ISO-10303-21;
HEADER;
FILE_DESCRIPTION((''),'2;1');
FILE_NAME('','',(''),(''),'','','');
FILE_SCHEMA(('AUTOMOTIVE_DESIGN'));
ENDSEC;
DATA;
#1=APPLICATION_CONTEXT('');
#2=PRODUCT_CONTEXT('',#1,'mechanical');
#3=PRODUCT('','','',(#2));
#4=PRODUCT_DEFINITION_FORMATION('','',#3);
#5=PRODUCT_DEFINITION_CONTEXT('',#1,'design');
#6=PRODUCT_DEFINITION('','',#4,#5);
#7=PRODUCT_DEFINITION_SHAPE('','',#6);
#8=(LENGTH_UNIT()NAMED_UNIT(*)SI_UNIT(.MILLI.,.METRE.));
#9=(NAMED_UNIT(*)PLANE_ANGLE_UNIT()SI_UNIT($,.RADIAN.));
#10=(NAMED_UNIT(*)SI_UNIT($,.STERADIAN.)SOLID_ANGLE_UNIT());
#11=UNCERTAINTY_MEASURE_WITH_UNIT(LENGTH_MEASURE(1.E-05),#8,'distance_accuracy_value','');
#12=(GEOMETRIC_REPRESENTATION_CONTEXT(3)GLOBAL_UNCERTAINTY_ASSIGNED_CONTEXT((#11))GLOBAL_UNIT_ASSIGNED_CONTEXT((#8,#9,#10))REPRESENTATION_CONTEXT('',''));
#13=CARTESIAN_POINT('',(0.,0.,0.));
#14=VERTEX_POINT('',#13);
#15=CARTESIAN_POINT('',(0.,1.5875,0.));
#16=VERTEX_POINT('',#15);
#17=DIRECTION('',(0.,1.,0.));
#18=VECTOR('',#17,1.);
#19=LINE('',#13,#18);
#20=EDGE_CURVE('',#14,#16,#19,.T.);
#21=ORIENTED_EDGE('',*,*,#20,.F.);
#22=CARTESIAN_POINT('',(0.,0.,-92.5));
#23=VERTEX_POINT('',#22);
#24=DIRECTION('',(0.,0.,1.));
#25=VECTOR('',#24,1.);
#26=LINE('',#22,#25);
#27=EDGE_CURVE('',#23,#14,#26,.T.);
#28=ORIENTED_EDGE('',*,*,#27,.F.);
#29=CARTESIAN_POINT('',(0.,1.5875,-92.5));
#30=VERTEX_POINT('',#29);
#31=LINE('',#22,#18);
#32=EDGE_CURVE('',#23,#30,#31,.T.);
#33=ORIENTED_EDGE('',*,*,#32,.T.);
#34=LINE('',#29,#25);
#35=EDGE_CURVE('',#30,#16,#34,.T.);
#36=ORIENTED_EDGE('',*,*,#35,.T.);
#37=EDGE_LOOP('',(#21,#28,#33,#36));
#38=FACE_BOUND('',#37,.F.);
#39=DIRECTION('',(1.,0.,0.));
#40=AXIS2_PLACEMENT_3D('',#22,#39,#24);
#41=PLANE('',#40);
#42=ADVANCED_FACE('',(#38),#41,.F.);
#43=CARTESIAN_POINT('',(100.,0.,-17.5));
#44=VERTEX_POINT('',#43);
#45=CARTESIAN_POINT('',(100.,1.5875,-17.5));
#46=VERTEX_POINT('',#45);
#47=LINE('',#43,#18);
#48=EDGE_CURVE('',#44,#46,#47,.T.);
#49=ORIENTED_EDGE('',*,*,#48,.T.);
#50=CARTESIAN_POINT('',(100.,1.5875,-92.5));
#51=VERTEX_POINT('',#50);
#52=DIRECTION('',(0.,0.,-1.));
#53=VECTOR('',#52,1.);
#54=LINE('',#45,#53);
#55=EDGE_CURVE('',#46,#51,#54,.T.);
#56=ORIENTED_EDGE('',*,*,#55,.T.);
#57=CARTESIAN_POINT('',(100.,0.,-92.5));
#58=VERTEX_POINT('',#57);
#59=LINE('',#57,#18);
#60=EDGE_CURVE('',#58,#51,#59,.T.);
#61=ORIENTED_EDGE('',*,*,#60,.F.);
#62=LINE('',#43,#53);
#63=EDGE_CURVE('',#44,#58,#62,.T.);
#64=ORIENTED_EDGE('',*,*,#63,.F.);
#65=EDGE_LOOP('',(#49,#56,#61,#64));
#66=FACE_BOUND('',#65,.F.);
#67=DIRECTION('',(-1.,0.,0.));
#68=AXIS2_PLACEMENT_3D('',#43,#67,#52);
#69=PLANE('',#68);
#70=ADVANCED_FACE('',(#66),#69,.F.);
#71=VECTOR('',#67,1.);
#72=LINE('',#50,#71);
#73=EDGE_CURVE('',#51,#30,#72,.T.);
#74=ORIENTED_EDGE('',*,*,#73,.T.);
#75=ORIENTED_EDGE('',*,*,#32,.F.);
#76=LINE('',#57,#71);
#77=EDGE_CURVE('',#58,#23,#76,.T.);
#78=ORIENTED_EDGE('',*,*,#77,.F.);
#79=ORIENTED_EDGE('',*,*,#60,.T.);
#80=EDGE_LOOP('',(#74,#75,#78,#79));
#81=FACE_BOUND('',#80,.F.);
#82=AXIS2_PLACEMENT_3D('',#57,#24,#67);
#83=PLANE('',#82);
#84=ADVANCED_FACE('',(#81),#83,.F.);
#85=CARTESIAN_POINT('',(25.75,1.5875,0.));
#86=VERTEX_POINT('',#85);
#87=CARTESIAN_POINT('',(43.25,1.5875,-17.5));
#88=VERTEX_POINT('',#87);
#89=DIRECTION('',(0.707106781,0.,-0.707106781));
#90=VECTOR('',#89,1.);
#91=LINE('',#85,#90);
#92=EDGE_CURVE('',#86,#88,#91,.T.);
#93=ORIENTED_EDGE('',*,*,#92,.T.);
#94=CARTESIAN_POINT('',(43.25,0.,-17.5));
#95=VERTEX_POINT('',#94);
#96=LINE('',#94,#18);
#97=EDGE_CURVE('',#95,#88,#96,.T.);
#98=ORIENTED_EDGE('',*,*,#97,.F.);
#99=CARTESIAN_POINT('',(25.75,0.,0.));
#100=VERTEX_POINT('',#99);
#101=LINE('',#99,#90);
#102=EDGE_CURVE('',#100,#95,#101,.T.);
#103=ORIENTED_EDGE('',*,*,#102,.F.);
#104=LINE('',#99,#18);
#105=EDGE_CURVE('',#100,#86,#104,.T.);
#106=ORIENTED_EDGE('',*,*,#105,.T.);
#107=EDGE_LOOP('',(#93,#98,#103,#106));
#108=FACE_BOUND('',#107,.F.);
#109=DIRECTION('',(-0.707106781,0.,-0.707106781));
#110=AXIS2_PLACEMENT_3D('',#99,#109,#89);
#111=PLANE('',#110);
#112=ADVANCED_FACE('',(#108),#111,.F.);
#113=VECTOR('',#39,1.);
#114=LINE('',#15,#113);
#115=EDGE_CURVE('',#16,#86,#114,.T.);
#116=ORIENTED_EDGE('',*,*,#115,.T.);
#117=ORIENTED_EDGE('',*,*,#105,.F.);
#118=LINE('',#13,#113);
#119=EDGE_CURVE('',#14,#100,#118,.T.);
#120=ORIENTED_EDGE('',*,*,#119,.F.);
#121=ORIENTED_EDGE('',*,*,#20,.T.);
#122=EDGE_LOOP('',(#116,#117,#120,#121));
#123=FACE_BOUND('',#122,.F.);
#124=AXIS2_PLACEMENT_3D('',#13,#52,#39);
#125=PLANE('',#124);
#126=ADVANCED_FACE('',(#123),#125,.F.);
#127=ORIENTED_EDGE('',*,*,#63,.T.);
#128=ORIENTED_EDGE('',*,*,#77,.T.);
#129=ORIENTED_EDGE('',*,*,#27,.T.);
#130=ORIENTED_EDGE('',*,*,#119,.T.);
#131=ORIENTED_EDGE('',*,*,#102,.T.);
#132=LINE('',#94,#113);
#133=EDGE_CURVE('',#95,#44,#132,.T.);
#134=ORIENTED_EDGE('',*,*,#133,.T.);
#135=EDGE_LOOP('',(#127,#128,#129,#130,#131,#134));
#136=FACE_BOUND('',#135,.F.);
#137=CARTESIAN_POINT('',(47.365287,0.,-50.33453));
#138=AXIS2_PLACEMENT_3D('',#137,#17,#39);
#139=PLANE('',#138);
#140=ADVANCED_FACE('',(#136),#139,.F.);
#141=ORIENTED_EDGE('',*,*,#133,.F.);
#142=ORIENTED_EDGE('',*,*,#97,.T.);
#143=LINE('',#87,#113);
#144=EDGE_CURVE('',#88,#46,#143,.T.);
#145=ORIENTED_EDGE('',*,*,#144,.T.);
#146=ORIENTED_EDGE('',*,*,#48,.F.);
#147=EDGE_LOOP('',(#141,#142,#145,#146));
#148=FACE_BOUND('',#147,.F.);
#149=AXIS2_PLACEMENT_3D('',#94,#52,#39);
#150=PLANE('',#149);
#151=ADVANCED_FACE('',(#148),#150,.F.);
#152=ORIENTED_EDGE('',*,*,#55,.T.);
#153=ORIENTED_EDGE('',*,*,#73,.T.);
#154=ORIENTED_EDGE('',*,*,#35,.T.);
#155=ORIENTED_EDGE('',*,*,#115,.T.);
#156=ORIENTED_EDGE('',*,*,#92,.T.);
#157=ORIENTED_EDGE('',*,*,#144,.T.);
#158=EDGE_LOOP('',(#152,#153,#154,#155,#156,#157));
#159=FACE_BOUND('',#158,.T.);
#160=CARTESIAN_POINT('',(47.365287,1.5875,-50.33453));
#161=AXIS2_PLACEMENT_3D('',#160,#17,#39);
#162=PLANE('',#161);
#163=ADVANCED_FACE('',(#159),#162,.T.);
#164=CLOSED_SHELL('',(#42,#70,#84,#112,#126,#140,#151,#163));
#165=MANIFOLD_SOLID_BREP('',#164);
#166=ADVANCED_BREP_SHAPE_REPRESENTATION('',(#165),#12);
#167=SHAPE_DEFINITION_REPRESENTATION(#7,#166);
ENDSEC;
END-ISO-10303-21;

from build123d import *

# Parameters (mm, degrees)
BOSS_EXTRUDE1_DEPTH = 1.5875


with BuildPart() as part:
    # Sketch1 → Boss-Extrude1 (new body)
    with BuildSketch(Plane(origin=(0, 0, 0), x_dir=(1, 0, 0), z_dir=(0, 1, 0))):
        Polygon((0, 0), (25.75, 0), (43.25, 17.5), (100, 17.5), (100, 92.5), (0, 92.5), align=None)
    extrude(amount=BOSS_EXTRUDE1_DEPTH)


solid = part.part
